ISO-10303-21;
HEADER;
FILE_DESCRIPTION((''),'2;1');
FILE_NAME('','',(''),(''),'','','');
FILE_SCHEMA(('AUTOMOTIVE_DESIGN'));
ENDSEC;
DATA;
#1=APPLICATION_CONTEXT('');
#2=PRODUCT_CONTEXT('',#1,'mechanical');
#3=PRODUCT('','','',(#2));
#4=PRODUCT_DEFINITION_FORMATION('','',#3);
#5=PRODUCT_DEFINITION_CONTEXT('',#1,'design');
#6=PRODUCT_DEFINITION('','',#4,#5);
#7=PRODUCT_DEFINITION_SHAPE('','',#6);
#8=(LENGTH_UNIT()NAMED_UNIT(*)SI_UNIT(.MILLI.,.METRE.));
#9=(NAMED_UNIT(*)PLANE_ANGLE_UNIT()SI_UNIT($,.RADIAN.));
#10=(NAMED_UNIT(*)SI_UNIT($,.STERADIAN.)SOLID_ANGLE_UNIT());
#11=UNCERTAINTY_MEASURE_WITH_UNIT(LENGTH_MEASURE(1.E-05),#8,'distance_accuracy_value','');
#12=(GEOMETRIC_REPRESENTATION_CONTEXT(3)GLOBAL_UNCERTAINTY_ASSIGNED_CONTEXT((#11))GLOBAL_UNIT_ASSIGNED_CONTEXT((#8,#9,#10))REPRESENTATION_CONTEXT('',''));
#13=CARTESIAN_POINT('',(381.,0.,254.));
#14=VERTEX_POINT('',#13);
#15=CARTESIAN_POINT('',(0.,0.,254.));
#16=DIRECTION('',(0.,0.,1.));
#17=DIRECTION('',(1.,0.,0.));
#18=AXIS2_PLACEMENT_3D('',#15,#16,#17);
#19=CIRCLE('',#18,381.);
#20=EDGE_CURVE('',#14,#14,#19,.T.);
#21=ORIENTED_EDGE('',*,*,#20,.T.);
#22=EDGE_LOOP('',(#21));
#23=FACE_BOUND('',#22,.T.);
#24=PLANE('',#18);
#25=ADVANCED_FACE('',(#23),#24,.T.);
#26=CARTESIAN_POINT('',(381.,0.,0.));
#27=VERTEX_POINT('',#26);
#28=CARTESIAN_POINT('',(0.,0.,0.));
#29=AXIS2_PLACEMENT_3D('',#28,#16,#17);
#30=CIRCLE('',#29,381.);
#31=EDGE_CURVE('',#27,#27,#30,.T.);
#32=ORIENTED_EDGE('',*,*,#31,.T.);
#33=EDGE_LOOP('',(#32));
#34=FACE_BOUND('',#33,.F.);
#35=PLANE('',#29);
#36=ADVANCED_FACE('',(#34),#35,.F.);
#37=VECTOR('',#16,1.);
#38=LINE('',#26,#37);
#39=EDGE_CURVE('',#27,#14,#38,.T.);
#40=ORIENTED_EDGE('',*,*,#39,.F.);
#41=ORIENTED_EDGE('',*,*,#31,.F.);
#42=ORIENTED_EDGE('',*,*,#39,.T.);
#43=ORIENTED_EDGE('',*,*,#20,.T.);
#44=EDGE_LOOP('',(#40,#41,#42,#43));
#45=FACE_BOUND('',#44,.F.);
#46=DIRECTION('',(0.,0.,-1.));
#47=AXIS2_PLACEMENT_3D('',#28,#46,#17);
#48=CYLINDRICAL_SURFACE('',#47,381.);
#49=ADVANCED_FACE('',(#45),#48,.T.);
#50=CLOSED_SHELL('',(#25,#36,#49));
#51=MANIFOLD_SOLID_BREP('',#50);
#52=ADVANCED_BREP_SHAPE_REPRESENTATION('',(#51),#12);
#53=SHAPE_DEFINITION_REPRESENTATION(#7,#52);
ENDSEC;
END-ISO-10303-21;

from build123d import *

# Parameters (mm, degrees)
CYLINDER_R     = 381
CYLINDER_DEPTH = 254


with BuildPart() as part:
    # Cylinder → Cylinder (new body)
    with BuildSketch(Plane.XY):
        Circle(CYLINDER_R)
    extrude(amount=CYLINDER_DEPTH)


solid = part.part
